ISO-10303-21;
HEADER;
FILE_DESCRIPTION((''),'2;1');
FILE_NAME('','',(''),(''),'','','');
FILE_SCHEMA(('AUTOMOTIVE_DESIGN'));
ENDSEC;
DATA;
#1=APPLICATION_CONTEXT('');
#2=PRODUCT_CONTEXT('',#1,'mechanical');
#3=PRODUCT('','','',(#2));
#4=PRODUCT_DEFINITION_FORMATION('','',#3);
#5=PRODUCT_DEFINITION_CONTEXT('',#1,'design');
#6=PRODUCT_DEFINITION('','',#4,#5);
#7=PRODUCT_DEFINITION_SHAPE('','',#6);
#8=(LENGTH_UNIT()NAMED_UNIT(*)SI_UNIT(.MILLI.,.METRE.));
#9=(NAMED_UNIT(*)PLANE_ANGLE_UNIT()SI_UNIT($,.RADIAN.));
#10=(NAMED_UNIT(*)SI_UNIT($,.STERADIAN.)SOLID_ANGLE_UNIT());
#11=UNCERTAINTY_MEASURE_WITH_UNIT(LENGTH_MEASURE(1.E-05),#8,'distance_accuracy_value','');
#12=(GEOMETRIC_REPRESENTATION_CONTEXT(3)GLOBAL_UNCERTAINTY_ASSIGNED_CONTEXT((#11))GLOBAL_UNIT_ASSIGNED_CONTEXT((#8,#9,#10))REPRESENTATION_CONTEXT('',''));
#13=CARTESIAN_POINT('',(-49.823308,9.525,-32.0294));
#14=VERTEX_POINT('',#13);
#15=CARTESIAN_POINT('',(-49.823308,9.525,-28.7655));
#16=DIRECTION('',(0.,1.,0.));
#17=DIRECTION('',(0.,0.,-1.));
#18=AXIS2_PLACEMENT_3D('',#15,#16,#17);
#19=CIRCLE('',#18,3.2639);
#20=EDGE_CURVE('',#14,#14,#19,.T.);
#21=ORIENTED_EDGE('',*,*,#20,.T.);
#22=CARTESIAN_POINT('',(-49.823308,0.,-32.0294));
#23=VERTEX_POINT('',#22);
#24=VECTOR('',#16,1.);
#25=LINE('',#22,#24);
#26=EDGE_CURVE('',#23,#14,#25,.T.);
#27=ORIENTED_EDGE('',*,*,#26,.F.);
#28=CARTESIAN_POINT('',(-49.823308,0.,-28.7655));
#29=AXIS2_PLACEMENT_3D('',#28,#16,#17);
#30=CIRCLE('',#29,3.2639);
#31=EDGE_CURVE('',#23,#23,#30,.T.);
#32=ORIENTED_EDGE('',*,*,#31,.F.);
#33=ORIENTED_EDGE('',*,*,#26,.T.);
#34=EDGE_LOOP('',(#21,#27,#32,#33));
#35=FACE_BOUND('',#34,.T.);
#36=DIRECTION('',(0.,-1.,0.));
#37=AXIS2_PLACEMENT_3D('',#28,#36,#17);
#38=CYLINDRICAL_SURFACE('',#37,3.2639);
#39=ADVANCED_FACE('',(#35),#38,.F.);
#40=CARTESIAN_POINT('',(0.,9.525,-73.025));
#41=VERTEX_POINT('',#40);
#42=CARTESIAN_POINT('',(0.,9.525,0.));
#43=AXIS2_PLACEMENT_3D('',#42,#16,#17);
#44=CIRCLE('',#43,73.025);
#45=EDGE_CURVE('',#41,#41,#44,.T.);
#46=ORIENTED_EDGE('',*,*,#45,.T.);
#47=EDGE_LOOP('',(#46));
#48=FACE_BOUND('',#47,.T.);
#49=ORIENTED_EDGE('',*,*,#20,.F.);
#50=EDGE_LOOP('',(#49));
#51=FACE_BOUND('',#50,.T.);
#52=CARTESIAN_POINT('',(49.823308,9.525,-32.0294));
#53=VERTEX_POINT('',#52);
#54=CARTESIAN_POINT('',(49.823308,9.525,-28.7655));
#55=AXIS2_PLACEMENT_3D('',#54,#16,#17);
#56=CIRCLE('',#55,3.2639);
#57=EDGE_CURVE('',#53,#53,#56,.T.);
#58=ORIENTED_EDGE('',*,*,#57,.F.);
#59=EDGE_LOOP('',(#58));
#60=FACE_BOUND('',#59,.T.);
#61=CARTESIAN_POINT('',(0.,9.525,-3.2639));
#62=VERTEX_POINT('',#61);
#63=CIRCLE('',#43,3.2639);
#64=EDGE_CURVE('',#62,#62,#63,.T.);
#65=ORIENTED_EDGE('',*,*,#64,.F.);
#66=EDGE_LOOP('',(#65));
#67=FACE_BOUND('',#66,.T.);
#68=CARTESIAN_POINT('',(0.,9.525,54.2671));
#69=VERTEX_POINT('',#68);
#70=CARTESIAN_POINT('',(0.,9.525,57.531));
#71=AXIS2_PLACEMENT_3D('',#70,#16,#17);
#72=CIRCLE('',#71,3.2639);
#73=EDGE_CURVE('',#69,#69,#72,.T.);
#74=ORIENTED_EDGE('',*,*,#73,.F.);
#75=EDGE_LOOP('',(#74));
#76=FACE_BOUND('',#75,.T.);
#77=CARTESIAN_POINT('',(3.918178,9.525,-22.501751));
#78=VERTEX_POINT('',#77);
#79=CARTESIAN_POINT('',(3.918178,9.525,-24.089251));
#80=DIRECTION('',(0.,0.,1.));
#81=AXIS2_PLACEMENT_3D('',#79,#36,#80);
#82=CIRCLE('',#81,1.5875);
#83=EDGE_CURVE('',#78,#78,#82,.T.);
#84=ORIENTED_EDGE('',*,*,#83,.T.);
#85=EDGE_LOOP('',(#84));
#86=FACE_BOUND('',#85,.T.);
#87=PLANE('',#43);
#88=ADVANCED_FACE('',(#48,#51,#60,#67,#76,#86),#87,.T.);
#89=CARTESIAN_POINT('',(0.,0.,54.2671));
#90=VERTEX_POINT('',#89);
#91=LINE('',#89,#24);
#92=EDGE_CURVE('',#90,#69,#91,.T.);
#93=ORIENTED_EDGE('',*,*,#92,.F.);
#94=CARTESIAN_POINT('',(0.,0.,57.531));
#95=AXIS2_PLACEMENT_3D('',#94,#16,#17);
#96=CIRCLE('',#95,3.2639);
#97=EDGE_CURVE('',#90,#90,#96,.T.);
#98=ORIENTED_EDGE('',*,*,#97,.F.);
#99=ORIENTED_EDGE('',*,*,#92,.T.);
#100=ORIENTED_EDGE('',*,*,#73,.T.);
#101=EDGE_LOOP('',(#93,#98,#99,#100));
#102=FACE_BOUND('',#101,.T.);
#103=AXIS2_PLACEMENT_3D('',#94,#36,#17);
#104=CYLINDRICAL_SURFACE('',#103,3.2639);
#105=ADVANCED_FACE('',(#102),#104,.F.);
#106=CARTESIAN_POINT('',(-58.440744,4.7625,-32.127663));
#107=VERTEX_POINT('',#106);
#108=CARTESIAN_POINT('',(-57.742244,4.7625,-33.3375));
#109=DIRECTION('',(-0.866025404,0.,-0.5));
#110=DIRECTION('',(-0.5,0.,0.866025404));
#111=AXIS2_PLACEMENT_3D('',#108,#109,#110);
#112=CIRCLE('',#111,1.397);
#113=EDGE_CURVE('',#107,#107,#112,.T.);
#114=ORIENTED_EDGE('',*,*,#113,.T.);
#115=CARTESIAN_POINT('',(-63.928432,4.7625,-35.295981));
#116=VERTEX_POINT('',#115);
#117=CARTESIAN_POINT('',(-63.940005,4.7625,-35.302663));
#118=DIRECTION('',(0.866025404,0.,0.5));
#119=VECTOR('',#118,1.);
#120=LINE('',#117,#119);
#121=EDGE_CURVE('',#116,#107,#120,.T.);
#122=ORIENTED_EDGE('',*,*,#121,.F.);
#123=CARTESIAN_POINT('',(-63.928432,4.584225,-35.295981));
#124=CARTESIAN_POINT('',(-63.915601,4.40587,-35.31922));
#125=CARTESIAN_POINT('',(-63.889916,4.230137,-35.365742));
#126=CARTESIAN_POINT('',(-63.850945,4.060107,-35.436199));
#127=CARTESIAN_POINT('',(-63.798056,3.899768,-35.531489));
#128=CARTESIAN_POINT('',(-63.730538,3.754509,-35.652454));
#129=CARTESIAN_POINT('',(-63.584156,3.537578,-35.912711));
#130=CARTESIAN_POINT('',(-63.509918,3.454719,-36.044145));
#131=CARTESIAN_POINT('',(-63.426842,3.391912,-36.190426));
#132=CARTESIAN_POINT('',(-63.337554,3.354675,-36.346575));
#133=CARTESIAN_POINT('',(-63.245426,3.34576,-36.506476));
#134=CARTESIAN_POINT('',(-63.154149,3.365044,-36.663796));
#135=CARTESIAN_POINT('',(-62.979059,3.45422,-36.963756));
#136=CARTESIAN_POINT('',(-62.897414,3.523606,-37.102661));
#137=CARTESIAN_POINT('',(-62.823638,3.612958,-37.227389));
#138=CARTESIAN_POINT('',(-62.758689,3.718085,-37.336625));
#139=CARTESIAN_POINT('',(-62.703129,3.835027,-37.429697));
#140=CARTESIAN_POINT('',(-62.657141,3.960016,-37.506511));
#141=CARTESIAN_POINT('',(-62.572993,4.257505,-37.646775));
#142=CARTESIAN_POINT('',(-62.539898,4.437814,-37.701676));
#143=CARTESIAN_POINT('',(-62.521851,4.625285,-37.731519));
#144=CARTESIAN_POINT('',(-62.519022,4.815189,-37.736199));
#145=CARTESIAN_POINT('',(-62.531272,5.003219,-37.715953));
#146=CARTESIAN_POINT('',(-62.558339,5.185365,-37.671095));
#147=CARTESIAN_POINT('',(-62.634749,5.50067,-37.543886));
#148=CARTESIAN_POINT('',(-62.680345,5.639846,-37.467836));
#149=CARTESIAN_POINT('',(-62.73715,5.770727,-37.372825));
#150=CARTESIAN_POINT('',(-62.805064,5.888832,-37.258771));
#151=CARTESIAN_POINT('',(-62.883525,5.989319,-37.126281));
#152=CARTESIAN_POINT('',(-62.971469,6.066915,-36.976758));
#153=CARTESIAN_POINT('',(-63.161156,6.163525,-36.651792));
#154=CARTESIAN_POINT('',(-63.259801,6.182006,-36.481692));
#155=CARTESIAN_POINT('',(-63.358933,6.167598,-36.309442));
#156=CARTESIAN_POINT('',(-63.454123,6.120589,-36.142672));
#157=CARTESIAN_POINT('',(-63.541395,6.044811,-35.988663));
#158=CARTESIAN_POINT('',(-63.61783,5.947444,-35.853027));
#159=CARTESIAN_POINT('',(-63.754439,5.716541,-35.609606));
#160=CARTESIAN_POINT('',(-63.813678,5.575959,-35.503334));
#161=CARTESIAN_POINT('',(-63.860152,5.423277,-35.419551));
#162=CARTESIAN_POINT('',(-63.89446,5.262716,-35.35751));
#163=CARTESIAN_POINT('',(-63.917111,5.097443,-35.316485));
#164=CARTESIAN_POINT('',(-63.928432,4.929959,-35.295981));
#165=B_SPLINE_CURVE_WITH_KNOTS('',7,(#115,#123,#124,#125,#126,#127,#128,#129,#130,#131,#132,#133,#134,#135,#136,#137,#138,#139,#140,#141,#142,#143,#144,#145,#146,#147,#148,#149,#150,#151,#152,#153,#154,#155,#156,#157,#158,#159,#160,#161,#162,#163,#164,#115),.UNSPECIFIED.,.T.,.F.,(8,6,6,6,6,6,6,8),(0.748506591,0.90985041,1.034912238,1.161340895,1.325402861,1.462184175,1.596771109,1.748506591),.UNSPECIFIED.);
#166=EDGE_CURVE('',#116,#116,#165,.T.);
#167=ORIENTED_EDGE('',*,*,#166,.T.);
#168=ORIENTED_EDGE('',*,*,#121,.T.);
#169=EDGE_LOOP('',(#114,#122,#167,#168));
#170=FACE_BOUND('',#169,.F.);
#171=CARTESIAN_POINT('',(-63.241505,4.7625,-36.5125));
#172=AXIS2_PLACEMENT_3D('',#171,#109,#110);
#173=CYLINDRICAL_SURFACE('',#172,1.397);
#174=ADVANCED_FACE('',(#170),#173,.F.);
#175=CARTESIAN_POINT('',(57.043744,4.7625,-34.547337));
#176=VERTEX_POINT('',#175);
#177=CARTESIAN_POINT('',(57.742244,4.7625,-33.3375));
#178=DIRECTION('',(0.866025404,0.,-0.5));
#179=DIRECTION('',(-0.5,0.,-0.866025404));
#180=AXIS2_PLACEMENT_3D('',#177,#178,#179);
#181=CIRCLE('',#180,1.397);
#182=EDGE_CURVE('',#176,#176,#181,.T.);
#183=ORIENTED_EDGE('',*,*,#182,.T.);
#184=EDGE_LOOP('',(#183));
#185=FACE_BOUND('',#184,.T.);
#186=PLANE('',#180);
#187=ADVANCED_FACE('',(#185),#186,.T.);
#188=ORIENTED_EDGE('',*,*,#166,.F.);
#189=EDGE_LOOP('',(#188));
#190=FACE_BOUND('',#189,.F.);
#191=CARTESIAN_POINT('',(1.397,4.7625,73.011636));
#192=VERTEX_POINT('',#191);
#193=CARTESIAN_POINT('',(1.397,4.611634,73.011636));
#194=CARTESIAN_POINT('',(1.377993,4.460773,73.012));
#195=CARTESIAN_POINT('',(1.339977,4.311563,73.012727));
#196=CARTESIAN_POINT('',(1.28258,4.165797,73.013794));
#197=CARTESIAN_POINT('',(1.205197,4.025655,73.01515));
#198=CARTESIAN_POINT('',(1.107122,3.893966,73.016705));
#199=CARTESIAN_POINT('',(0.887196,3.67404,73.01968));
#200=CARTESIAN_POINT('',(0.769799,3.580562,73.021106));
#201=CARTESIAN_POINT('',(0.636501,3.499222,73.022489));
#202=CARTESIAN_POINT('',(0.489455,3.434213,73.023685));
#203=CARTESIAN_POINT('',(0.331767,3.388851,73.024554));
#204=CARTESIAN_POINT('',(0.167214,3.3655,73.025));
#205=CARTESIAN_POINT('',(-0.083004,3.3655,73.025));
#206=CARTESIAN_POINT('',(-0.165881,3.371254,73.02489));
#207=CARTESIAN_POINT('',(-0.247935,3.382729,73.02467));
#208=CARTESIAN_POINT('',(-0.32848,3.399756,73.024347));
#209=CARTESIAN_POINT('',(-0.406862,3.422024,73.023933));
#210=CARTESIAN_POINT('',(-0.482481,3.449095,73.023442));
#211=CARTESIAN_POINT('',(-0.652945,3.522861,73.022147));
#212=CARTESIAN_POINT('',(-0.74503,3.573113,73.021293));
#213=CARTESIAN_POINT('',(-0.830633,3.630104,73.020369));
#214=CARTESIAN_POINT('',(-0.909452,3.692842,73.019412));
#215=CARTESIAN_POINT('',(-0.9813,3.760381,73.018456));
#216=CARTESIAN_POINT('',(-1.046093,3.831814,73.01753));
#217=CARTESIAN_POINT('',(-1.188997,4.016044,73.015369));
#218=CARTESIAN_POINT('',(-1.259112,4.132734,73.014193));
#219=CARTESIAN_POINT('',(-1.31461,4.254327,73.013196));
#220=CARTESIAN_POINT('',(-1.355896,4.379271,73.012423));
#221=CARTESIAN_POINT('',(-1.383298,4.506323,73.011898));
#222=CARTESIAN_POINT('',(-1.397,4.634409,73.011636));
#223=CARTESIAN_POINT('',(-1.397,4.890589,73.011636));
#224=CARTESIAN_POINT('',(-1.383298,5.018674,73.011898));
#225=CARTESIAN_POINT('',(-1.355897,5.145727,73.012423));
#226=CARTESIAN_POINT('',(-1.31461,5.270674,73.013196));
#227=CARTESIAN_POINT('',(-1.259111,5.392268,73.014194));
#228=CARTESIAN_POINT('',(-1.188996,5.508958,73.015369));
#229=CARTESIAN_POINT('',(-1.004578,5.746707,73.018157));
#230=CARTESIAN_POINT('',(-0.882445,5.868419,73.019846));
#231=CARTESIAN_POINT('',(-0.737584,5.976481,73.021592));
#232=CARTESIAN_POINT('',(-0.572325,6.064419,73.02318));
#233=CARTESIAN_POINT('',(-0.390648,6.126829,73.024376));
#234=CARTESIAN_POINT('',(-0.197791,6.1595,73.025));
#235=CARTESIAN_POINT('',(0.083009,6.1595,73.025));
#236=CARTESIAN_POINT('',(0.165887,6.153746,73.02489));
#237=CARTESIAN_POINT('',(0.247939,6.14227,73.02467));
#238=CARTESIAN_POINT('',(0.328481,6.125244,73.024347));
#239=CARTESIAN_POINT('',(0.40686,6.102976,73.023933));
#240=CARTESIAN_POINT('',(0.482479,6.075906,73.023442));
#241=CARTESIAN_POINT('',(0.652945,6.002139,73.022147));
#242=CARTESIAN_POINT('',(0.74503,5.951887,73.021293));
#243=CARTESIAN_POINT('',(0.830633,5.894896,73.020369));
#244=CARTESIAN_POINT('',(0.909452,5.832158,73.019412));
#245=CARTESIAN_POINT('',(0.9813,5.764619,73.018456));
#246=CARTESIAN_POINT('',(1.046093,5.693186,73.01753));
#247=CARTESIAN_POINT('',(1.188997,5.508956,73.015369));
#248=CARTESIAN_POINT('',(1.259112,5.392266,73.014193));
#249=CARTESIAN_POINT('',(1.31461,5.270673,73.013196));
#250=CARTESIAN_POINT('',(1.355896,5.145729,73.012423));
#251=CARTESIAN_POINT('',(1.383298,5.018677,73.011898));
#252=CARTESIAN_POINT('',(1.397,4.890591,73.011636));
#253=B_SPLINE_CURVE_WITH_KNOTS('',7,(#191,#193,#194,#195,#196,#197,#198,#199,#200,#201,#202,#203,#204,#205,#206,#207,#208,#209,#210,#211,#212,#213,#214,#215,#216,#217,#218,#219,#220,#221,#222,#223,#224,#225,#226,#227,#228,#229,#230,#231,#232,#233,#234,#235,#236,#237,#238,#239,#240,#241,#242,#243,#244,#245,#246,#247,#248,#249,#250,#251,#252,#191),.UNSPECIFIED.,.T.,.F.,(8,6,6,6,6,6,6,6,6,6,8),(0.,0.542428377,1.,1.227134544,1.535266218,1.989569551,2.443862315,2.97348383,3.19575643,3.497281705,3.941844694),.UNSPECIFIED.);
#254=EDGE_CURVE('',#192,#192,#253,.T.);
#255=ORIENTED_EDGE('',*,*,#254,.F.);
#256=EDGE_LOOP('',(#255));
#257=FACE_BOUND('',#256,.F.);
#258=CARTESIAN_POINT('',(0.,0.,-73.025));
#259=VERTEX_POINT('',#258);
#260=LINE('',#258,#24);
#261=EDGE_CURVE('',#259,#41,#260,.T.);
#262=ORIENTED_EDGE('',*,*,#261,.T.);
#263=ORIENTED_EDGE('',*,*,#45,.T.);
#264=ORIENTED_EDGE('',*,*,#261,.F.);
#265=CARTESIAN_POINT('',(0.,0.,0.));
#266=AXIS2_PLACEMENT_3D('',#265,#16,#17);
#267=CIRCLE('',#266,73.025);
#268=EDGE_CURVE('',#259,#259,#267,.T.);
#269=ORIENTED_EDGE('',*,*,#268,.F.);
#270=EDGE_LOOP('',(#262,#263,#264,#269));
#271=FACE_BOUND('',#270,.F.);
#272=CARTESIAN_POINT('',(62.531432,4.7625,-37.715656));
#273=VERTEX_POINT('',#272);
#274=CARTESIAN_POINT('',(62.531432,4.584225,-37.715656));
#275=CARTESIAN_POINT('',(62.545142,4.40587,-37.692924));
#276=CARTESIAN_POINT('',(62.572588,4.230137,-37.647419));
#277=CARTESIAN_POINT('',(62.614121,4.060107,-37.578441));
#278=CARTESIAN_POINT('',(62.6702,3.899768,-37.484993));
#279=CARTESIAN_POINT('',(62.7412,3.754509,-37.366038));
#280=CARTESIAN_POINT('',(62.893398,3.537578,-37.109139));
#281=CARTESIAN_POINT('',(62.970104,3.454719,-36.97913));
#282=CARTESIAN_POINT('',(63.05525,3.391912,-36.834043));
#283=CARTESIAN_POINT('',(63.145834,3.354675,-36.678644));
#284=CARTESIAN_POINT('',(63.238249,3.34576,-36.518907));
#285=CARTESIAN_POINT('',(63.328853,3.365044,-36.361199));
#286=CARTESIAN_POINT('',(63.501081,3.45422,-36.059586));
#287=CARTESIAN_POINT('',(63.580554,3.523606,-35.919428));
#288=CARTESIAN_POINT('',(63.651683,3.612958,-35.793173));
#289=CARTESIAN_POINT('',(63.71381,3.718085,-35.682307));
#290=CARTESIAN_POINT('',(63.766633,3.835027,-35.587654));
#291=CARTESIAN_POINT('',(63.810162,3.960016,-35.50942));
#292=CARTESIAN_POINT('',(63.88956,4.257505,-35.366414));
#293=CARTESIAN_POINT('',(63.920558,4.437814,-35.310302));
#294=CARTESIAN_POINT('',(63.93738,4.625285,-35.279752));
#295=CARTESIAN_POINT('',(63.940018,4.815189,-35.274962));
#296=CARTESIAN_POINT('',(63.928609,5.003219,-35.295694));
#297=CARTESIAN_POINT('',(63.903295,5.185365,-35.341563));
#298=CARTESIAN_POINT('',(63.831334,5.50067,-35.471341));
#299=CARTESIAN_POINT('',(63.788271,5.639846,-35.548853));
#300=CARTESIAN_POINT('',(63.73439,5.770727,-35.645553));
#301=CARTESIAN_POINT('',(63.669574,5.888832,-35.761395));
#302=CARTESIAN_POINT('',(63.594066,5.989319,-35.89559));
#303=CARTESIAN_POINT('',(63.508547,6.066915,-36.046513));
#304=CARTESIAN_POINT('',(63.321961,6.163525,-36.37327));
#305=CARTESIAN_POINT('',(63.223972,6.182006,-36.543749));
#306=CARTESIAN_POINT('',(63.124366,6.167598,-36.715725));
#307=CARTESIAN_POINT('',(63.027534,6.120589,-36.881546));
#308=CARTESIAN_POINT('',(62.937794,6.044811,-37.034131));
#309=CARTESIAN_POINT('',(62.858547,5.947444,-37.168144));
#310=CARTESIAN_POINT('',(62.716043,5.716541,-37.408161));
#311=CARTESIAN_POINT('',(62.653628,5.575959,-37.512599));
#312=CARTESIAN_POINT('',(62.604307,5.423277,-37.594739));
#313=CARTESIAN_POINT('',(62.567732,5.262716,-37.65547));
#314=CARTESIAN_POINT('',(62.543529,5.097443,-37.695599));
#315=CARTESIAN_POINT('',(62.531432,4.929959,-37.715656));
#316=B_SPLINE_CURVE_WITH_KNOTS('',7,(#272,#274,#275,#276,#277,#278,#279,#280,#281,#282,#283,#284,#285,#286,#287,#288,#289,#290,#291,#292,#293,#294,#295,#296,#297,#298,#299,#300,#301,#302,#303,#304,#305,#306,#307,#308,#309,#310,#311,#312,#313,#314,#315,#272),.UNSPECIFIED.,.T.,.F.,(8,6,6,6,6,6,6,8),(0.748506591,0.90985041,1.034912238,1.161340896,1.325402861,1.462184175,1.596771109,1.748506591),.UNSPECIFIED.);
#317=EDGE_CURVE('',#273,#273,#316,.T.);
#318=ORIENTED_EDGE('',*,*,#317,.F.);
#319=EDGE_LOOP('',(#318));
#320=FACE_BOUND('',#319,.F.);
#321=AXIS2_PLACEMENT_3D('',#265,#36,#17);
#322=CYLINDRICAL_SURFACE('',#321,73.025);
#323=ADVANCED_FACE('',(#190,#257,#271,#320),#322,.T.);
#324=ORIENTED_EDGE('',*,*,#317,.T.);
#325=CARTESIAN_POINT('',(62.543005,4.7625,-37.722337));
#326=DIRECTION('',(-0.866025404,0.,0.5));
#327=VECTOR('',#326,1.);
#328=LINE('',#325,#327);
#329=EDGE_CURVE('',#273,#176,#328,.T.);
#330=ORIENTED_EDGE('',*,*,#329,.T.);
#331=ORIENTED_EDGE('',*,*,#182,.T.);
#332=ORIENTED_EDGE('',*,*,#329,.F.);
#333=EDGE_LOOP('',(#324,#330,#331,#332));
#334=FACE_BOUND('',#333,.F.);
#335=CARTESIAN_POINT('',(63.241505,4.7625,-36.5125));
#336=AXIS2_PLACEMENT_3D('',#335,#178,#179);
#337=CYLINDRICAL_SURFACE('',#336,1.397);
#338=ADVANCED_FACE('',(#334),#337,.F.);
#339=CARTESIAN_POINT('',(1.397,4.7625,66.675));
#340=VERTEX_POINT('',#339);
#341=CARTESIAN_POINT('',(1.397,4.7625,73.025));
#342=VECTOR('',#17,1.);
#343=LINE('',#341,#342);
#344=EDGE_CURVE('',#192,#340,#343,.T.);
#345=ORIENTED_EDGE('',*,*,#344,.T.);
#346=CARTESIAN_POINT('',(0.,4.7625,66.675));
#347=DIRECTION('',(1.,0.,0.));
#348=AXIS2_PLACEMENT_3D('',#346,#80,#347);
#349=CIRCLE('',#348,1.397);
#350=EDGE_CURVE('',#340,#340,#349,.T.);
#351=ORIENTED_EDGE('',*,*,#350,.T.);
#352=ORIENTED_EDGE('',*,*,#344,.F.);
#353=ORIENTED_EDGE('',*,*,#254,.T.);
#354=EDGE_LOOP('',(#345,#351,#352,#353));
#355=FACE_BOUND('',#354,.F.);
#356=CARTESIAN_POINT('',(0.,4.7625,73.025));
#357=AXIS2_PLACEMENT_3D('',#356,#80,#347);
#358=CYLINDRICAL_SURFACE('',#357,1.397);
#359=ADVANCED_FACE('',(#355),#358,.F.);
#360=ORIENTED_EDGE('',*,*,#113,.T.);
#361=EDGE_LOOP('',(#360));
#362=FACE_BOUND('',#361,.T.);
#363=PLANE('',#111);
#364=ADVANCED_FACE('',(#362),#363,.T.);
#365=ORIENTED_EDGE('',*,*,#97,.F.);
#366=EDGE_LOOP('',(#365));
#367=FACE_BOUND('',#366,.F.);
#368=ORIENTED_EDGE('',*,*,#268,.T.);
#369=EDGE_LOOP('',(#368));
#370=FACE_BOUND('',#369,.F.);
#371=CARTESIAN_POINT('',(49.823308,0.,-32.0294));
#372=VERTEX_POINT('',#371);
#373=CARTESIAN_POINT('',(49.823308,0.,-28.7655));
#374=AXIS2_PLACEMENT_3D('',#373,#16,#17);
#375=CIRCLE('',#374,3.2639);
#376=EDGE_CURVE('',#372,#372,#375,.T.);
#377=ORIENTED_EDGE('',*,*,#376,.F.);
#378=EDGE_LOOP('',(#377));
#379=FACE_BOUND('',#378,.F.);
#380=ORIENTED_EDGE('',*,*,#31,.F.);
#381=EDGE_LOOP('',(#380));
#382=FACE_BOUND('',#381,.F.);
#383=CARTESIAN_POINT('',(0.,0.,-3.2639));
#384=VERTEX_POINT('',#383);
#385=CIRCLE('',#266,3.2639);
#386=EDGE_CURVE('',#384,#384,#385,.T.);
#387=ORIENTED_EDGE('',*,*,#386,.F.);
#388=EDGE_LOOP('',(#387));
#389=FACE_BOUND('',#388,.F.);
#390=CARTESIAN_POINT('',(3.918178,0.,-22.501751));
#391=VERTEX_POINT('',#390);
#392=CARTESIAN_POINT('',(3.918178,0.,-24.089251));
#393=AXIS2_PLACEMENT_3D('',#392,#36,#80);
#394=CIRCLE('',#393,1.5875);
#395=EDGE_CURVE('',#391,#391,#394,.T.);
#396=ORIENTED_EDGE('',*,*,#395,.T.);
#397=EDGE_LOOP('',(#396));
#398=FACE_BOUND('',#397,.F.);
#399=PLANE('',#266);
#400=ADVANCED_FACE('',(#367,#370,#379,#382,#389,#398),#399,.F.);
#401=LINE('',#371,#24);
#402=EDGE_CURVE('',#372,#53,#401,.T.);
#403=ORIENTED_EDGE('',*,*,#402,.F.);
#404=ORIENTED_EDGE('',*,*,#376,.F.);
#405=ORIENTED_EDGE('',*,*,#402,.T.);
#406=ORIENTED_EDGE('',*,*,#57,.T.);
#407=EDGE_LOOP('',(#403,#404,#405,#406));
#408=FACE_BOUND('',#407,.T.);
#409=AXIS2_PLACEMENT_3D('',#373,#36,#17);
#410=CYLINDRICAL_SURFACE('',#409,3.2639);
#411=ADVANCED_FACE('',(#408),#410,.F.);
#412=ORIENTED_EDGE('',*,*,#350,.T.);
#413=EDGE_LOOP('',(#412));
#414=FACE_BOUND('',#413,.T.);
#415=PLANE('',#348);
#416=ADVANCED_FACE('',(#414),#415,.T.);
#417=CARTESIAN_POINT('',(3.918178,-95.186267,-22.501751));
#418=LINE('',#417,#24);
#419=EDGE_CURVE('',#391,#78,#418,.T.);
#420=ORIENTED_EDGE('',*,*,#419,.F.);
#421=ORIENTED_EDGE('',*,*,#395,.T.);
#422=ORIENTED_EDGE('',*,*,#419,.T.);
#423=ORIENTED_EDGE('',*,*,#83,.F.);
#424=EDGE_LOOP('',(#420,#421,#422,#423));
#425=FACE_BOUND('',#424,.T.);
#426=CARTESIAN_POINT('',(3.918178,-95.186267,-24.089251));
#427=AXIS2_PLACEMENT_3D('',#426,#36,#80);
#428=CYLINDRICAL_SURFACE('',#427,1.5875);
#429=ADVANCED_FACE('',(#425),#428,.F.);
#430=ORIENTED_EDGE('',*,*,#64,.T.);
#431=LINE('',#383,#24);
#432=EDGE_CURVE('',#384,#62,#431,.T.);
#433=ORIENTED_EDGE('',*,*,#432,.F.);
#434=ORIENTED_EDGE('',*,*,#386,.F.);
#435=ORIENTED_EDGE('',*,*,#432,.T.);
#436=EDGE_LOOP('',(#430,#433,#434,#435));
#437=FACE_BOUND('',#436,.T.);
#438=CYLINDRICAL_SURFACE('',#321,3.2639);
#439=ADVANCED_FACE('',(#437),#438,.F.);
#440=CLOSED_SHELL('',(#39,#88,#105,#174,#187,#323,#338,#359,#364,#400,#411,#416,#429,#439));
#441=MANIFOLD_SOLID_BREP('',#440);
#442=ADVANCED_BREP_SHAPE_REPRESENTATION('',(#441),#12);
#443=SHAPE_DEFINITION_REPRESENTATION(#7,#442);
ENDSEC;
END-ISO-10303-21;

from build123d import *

# Parameters (mm, degrees)
SKETCH1_R               = 73.025
SKETCH1_R_2             = 3.2639
BOSS_EXTRUDE1_DEPTH     = 9.525
SKETCH4_R               = 1.397
CUT_EXTRUDE1_DEPTH      = 6.35
CIRPATTERN1_COUNT       = 3
CUT_EXTRUDE2_DEPTH      = 104.711267016
CUT_EXTRUDE2_DEPTH_BACK = 104.711267016
SKETCH5_R               = 1.5875


with BuildPart() as part:
    # Sketch1 → Boss-Extrude1 (new body)
    with BuildSketch(Plane(origin=(0, 0, 0), x_dir=(1, 0, 0), z_dir=(0, 1, 0))):
        with Locations(Location((0, 0, 0), (0, 0, 90))):
            Circle(SKETCH1_R)
        with Locations(Location((-49.823307505, 28.7655, 0), (0, 0, 90))):
            Circle(SKETCH1_R_2, mode=Mode.SUBTRACT)
        with Locations(Location((49.823307505, 28.7655, 0), (0, 0, 90))):
            Circle(SKETCH1_R_2, mode=Mode.SUBTRACT)
        with Locations(Location((0, -57.531, 0), (0, 0, 90))):
            Circle(SKETCH1_R_2, mode=Mode.SUBTRACT)
        with Locations(Location((0, 0, 0), (0, 0, 90))):
            Circle(SKETCH1_R_2, mode=Mode.SUBTRACT)
    extrude(amount=BOSS_EXTRUDE1_DEPTH)

    # Sketch4 → Cut-Extrude1 (cut)
    with BuildSketch(Plane.XY.offset(73.025)):
        with Locations((0, 4.7625)):
            Circle(SKETCH4_R)
    cut_extrude1 = extrude(amount=-CUT_EXTRUDE1_DEPTH, mode=Mode.SUBTRACT)

    # CirPattern1: Cut-Extrude1 ×3 about axis
    cirpattern1_axis = Axis((0, 0, 0), (0, 1, 0))
    for i in range(1, CIRPATTERN1_COUNT):
        add(cut_extrude1.rotate(cirpattern1_axis, i * 360 / CIRPATTERN1_COUNT), mode=Mode.SUBTRACT)

    # Sketch5 → Cut-Extrude2 (cut, two sides: drawn at the far end of the back side and taken through both)
    with BuildSketch(Plane(origin=(0, 9.525, 0), x_dir=(1, 0, 0), z_dir=(0, 1, 0)).offset(-CUT_EXTRUDE2_DEPTH_BACK)):
        with Locations(Location((3.918177901, 24.089251357, 0), (0, 0, 270))):
            Circle(SKETCH5_R)
    extrude(amount=CUT_EXTRUDE2_DEPTH + CUT_EXTRUDE2_DEPTH_BACK, mode=Mode.SUBTRACT)


solid = part.part
